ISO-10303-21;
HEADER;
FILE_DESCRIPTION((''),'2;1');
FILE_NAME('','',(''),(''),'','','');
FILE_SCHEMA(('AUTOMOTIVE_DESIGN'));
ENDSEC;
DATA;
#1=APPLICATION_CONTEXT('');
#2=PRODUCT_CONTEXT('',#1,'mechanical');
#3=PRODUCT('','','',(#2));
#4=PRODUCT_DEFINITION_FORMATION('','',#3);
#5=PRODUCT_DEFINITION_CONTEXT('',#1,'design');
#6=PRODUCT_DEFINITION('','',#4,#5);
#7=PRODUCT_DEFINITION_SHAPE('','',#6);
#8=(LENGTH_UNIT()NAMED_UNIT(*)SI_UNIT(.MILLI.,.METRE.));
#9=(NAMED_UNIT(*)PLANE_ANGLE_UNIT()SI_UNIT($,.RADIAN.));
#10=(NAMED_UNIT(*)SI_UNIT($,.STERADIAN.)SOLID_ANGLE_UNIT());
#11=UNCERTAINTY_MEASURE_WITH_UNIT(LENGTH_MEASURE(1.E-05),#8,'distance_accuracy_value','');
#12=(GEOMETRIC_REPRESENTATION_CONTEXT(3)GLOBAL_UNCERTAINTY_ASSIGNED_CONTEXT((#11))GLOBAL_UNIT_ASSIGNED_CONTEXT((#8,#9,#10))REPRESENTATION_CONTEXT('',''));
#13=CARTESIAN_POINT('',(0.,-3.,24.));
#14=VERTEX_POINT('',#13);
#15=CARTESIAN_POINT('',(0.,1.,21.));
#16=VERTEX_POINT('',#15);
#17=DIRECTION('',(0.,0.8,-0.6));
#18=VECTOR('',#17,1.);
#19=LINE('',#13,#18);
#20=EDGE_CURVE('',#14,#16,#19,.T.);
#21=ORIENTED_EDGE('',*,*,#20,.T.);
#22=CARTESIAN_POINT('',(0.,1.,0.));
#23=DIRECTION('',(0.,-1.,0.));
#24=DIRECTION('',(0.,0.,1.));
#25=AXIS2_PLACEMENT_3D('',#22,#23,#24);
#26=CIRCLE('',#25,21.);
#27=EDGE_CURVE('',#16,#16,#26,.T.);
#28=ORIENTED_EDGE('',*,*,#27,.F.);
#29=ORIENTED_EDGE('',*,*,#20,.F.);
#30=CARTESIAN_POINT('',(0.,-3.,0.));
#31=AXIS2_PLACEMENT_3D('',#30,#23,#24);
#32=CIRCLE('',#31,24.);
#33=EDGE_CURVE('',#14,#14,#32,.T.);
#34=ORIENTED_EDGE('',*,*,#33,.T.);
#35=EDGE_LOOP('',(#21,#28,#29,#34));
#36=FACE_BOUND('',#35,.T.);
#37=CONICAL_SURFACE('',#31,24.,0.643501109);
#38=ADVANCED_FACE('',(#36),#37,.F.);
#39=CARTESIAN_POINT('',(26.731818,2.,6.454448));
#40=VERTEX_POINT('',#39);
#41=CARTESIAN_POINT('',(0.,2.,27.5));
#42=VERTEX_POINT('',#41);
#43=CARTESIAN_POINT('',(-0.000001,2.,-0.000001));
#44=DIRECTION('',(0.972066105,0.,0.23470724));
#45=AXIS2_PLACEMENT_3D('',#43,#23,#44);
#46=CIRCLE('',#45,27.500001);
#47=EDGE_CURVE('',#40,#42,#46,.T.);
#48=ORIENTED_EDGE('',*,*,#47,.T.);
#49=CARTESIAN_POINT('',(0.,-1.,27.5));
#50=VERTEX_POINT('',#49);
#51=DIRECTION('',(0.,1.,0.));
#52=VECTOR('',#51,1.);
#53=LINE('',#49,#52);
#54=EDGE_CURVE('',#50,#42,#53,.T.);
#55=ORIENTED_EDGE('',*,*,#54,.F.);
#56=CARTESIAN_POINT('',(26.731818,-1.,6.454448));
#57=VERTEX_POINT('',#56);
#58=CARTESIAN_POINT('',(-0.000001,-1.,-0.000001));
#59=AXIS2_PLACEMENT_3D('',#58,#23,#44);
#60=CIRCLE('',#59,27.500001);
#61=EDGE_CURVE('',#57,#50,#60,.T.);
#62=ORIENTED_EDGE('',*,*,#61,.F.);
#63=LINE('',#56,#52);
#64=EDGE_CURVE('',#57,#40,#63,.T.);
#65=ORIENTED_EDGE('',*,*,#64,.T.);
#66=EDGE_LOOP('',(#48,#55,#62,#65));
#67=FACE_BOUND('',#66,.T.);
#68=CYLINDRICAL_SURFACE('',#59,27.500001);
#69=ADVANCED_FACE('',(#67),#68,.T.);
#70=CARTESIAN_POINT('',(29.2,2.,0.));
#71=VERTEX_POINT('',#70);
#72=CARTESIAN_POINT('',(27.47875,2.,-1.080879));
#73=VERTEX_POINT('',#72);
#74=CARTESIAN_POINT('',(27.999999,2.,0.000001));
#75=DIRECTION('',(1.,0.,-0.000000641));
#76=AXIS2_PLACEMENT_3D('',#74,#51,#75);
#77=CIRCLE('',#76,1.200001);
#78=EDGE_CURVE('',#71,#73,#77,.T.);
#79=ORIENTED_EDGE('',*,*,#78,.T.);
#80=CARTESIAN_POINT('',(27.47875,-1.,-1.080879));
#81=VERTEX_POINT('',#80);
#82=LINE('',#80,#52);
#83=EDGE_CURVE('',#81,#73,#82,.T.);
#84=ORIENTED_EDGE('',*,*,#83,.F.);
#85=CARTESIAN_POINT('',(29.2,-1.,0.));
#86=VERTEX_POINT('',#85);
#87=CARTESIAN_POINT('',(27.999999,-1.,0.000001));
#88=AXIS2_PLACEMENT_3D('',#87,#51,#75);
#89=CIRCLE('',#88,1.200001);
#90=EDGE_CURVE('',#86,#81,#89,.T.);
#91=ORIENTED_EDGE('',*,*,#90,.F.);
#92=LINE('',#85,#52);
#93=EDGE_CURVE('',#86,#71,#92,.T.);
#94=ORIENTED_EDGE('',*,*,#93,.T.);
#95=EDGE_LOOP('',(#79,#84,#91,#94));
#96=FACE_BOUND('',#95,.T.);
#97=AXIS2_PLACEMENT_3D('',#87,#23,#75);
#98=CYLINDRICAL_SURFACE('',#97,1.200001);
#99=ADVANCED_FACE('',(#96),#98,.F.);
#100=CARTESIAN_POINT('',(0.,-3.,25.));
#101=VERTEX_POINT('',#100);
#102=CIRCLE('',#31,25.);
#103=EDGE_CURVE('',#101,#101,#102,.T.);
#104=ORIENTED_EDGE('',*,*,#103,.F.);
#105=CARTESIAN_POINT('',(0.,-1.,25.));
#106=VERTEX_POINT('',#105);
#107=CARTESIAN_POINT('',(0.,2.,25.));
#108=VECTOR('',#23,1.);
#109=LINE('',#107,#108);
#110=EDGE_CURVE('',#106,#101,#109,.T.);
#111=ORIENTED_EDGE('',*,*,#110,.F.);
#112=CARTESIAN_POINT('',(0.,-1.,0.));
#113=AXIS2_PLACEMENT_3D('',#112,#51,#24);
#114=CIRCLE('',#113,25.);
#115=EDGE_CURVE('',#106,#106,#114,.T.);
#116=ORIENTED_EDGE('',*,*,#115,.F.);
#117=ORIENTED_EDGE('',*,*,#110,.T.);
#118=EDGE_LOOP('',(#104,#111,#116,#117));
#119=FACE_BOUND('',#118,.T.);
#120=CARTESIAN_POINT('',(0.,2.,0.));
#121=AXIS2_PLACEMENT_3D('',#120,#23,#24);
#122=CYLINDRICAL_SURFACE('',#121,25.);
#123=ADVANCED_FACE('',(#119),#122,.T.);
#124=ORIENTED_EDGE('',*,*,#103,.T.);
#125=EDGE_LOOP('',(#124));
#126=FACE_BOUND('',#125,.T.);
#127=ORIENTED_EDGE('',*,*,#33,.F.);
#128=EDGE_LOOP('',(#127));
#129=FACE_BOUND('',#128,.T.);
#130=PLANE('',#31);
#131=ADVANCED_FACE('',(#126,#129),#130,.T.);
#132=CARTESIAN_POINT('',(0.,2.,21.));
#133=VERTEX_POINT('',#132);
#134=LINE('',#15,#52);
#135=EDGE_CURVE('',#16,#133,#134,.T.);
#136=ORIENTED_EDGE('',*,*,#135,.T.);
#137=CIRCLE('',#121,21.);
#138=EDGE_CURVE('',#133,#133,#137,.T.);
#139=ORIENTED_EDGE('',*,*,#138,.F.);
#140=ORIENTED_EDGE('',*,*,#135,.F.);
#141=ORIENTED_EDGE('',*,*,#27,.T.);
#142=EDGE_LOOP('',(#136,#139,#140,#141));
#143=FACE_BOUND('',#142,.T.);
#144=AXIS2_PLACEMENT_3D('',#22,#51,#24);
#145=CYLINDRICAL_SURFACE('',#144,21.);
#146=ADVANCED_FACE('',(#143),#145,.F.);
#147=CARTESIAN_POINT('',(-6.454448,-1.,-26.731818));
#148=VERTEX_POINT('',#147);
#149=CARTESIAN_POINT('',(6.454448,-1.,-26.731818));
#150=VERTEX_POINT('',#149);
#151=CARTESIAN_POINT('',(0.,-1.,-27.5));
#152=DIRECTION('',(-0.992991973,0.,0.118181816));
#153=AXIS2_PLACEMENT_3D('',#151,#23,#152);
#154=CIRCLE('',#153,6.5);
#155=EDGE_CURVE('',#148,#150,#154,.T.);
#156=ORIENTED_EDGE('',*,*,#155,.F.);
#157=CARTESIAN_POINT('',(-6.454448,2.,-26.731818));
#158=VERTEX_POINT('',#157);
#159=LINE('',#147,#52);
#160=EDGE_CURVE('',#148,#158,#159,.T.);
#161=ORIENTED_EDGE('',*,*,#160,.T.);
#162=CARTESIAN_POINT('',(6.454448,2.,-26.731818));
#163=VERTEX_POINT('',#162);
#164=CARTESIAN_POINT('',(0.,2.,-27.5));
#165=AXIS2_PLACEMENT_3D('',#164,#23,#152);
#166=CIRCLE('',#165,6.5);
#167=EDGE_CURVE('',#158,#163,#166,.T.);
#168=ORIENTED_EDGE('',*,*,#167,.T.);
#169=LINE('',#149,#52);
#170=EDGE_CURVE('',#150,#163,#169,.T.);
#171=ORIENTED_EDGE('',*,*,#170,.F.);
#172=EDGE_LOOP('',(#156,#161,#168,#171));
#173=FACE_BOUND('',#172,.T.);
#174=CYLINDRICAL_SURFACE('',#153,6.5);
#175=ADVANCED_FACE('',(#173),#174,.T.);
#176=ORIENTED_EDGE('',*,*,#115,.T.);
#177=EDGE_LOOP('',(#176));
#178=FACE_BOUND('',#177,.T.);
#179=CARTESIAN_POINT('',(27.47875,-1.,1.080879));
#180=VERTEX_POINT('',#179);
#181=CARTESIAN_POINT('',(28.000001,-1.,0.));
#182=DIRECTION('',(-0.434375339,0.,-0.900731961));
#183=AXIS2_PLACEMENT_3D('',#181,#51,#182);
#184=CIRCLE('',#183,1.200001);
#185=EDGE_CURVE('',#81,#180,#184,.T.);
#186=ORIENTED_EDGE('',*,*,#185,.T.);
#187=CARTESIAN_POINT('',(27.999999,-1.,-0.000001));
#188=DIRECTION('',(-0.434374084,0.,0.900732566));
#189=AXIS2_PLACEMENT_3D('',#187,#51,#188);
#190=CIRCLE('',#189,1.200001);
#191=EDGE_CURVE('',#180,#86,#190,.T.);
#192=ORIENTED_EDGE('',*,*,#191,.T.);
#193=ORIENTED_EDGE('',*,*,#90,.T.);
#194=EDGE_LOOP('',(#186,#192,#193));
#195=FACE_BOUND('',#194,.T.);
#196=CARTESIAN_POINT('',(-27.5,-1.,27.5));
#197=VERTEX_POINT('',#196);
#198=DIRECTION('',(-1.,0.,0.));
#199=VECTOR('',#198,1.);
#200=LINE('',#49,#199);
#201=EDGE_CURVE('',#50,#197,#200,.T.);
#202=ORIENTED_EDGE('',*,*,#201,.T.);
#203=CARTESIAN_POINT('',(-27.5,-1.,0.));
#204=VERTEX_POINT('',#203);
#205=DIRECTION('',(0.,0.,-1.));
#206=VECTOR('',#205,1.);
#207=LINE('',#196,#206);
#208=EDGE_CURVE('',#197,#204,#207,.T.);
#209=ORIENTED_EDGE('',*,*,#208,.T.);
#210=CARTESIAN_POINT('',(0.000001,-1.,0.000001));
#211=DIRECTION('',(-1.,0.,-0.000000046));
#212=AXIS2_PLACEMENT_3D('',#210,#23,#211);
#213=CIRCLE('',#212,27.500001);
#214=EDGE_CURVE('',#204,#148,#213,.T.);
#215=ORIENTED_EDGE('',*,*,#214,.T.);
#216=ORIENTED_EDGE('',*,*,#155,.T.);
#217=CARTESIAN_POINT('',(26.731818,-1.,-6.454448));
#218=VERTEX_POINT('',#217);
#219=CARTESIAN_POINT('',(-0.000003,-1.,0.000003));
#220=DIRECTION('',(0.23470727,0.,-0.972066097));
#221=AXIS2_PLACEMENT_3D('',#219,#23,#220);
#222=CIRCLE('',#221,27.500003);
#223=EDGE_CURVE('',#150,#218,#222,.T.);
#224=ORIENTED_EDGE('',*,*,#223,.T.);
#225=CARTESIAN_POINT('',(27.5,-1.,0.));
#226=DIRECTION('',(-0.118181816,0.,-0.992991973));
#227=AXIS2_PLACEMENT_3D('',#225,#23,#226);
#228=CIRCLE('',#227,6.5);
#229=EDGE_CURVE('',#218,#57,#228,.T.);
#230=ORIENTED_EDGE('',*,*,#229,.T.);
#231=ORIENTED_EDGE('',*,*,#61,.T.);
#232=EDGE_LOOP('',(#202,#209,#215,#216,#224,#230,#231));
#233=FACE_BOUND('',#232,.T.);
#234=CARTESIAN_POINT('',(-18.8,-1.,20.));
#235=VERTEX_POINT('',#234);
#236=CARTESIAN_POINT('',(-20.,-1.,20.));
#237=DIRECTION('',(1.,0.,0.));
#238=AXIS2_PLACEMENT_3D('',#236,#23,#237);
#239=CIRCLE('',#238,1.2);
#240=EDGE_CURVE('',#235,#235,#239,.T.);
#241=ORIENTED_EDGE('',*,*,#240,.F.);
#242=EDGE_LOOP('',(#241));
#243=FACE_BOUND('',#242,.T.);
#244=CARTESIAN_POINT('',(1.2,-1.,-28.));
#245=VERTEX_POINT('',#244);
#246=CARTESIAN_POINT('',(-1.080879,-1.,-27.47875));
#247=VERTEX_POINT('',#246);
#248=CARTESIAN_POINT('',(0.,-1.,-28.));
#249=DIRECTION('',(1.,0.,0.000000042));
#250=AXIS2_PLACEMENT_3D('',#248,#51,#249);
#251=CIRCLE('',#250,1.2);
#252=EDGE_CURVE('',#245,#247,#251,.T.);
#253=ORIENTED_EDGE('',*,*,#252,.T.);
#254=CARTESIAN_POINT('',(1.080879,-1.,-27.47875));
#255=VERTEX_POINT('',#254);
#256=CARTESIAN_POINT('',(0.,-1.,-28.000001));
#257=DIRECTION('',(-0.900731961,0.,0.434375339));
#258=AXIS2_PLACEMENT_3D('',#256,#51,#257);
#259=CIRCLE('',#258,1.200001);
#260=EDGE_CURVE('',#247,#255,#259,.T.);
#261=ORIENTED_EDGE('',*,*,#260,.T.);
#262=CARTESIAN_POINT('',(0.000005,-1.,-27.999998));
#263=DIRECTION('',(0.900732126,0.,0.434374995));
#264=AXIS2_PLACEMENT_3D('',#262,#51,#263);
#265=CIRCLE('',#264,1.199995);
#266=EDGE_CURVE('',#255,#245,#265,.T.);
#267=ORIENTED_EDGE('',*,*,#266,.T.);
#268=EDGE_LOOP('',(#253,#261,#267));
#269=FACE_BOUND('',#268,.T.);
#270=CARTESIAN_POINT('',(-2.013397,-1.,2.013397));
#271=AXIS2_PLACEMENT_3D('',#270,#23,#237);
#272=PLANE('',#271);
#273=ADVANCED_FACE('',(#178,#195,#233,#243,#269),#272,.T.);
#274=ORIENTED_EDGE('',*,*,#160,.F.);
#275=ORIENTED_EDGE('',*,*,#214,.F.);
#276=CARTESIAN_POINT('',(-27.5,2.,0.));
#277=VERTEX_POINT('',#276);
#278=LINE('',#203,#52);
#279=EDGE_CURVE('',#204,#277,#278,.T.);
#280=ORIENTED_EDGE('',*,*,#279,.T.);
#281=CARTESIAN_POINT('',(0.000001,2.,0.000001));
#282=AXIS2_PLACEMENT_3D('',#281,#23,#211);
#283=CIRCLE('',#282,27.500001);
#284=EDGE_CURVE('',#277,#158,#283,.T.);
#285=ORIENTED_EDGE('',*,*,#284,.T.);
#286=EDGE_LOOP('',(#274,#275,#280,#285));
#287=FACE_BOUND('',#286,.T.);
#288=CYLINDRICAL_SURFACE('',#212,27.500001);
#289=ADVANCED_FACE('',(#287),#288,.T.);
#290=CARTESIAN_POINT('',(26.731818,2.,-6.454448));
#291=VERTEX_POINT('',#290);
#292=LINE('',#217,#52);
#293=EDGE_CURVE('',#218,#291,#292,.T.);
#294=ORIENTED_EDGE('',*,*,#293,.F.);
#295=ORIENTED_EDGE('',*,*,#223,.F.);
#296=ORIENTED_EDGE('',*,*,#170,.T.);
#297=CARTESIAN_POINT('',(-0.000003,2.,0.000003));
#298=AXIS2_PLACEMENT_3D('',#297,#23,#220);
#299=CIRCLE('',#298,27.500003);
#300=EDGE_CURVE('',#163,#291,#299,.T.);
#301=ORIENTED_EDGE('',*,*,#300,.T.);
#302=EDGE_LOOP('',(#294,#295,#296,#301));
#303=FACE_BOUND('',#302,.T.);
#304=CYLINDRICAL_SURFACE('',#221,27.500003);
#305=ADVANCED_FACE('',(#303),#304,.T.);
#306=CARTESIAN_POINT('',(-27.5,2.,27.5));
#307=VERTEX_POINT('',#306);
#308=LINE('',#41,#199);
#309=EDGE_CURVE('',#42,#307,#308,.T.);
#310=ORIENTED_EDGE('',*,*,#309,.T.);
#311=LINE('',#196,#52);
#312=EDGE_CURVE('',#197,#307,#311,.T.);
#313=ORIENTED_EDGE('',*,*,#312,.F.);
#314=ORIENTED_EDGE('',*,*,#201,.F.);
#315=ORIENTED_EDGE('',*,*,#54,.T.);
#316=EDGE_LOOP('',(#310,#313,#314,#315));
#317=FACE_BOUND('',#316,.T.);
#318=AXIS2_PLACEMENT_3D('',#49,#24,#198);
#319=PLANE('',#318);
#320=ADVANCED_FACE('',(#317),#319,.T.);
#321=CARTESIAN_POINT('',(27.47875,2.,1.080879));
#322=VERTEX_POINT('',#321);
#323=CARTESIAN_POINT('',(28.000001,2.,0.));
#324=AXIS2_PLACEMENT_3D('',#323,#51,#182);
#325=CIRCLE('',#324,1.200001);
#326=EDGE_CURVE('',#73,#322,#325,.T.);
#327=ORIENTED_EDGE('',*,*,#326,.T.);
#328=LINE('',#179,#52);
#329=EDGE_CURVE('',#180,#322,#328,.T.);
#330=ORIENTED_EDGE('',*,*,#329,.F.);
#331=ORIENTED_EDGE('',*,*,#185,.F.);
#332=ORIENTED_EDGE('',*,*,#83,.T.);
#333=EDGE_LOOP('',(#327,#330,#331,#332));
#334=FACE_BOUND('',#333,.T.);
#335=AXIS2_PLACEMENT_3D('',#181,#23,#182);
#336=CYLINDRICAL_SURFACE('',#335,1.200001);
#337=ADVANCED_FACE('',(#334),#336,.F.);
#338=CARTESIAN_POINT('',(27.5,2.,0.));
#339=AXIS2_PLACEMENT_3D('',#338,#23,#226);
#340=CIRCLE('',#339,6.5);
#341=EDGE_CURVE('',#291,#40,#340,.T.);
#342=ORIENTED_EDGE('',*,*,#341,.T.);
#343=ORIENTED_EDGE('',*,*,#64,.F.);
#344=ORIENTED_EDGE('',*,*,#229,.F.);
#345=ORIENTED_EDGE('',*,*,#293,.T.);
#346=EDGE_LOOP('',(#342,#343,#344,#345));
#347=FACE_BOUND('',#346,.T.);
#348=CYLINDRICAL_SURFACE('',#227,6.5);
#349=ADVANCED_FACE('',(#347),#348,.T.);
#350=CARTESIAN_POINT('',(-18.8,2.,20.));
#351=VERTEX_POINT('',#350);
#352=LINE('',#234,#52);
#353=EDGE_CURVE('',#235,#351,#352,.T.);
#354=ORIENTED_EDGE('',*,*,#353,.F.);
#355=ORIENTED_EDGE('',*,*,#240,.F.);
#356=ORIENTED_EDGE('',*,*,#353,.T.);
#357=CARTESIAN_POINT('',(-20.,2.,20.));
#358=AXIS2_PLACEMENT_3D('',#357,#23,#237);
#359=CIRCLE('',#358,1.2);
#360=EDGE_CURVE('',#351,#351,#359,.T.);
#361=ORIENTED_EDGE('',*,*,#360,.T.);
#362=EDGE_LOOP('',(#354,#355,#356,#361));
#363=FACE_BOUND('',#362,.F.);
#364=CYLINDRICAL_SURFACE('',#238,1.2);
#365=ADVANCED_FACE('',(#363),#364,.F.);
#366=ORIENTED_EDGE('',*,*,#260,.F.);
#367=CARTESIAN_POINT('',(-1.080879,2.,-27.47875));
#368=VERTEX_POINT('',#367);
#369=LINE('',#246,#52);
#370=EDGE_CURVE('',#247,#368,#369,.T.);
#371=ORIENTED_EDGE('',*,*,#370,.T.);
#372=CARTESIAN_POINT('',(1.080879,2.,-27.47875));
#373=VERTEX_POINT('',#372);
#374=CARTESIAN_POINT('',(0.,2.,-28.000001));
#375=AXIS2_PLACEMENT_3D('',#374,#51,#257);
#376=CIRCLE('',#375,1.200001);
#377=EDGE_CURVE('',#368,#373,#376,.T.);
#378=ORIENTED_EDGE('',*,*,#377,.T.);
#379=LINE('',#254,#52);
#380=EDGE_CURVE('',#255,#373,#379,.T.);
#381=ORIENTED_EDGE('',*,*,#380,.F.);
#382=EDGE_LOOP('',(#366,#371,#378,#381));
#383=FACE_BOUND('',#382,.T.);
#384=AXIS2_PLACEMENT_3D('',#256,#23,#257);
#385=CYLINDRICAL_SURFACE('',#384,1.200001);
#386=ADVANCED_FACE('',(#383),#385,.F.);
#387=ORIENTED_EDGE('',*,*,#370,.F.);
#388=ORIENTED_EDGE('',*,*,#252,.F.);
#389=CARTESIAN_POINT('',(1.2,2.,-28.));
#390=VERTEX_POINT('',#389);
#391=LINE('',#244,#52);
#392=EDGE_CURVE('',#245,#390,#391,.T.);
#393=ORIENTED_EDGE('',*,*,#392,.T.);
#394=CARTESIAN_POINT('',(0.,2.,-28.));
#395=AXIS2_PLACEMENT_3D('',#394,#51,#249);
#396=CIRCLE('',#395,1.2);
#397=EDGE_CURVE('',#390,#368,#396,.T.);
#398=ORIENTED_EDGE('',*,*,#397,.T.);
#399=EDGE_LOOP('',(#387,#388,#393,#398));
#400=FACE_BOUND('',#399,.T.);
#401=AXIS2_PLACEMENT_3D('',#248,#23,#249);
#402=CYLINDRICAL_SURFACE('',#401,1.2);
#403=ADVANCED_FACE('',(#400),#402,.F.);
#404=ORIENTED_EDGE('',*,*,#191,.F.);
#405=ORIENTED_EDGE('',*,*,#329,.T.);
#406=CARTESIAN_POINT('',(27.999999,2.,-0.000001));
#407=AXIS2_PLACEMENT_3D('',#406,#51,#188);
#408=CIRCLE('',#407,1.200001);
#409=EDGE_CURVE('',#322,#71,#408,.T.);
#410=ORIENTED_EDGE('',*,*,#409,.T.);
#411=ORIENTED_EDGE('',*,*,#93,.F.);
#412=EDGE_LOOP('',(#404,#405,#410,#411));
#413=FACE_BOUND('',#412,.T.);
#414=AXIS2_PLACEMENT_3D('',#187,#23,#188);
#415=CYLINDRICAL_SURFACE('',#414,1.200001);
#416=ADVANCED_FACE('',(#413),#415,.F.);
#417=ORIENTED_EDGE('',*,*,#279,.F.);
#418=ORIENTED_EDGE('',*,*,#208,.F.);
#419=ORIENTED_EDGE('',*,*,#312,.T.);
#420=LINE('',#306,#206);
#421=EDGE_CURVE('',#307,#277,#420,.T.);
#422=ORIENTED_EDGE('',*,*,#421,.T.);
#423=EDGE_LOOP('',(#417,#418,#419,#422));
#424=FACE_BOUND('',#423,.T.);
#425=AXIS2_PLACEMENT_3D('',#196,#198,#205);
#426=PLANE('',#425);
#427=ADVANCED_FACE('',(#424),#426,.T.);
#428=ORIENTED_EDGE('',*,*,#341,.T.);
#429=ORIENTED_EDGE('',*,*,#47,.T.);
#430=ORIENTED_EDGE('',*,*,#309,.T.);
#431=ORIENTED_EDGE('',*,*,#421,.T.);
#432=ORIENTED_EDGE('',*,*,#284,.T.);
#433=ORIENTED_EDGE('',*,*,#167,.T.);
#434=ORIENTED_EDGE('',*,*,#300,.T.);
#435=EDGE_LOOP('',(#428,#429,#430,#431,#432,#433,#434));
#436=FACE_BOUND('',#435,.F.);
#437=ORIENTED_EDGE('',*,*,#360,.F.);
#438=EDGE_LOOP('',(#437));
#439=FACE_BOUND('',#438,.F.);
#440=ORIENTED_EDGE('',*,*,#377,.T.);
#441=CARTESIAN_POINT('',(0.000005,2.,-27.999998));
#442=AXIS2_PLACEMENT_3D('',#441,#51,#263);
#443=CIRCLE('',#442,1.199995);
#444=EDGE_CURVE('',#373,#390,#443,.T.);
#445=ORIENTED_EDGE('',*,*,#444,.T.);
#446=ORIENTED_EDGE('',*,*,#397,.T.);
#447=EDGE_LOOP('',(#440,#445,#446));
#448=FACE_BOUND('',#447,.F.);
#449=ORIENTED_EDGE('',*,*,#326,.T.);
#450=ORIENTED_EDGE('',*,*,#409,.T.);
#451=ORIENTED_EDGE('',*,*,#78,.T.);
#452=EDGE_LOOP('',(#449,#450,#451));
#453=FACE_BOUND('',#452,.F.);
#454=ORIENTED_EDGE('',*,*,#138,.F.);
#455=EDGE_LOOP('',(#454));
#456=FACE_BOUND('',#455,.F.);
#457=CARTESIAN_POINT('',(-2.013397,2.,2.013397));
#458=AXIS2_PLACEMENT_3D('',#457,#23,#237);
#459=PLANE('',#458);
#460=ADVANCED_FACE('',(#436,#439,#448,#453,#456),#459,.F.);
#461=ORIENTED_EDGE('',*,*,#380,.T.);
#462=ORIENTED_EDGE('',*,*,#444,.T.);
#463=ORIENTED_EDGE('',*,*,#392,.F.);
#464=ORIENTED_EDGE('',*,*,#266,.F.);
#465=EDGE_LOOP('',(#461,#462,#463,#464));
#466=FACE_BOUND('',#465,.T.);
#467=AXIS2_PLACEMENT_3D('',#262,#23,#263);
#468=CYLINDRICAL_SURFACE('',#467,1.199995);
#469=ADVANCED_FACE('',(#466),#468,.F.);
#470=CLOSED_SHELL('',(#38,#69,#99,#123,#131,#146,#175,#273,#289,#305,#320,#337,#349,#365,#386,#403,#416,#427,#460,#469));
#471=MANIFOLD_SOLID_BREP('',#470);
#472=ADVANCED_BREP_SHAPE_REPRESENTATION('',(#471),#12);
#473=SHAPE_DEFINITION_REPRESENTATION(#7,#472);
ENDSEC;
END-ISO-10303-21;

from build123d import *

# Parameters (mm, degrees)
F3_R     = 25
F3_R_2   = 1.2
F4_DEPTH = 3


with BuildPart() as f1:
    # F0 (on Right) → F1 (revolve)
    with BuildSketch(Plane.YZ):
        Polygon((2, 25), (-3, 25), (-3, 24), (1, 21), (2, 21), align=None)
    revolve(axis=Axis((0, 1.602868, 0), (0, -1, 0)))

    # F3 (on offset) → F4 (join)
    with BuildSketch(Plane.XZ.offset(1)):
        with BuildLine():
            ThreePointArc((26.731818, 6.454448), (17.011065, 21.607259), (0, 27.5))
            Line((0, 27.5), (-27.5, 27.5))
            Line((-27.5, 27.5), (-27.5, 0))
            ThreePointArc((-27.5, 0), (-21.607259, -17.011065), (-6.454448, -26.731818))
            ThreePointArc((-6.454448, -26.731818), (-3.786128, -27.238121), (-1.080879, -27.47875))
            ThreePointArc((-1.080879, -27.47875), (0, -26.8), (1.080879, -27.47875))
            ThreePointArc((1.080879, -27.47875), (3.786128, -27.238121), (6.454448, -26.731818))
            ThreePointArc((6.454448, -26.731818), (19.445436, -19.445436), (26.731818, -6.454448))
            ThreePointArc((26.731818, -6.454448), (27.238121, -3.786128), (27.47875, -1.080879))
            ThreePointArc((27.47875, -1.080879), (26.8, 0), (27.47875, 1.080879))
            ThreePointArc((27.47875, 1.080879), (27.238121, 3.786128), (26.731818, 6.454448))
        make_face()
        Circle(F3_R, mode=Mode.SUBTRACT)
        with Locations((-20, 20)):
            Circle(F3_R_2, mode=Mode.SUBTRACT)
        with BuildLine():
            ThreePointArc((26.731818, -6.454448), (34, 0), (26.731818, 6.454448))
            ThreePointArc((26.731818, 6.454448), (27.238121, 3.786128), (27.47875, 1.080879))
            ThreePointArc((27.47875, 1.080879), (28.638161, 1.016243), (29.2, 0))
            ThreePointArc((29.2, 0), (28.638161, -1.016243), (27.47875, -1.080879))
            ThreePointArc((27.47875, -1.080879), (27.238121, -3.786128), (26.731818, -6.454448))
        make_face()
        with BuildLine():
            ThreePointArc((-1.080879, -27.47875), (-3.786128, -27.238121), (-6.454448, -26.731818))
            ThreePointArc((-6.454448, -26.731818), (0, -34), (6.454448, -26.731818))
            ThreePointArc((6.454448, -26.731818), (3.786128, -27.238121), (1.080879, -27.47875))
            ThreePointArc((1.080879, -27.47875), (1.169841, -27.732656), (1.2, -28))
            ThreePointArc((1.2, -28), (-0.267344, -29.169841), (-1.080879, -27.47875))
        make_face()
    extrude(amount=-F4_DEPTH)


solid = f1.part
